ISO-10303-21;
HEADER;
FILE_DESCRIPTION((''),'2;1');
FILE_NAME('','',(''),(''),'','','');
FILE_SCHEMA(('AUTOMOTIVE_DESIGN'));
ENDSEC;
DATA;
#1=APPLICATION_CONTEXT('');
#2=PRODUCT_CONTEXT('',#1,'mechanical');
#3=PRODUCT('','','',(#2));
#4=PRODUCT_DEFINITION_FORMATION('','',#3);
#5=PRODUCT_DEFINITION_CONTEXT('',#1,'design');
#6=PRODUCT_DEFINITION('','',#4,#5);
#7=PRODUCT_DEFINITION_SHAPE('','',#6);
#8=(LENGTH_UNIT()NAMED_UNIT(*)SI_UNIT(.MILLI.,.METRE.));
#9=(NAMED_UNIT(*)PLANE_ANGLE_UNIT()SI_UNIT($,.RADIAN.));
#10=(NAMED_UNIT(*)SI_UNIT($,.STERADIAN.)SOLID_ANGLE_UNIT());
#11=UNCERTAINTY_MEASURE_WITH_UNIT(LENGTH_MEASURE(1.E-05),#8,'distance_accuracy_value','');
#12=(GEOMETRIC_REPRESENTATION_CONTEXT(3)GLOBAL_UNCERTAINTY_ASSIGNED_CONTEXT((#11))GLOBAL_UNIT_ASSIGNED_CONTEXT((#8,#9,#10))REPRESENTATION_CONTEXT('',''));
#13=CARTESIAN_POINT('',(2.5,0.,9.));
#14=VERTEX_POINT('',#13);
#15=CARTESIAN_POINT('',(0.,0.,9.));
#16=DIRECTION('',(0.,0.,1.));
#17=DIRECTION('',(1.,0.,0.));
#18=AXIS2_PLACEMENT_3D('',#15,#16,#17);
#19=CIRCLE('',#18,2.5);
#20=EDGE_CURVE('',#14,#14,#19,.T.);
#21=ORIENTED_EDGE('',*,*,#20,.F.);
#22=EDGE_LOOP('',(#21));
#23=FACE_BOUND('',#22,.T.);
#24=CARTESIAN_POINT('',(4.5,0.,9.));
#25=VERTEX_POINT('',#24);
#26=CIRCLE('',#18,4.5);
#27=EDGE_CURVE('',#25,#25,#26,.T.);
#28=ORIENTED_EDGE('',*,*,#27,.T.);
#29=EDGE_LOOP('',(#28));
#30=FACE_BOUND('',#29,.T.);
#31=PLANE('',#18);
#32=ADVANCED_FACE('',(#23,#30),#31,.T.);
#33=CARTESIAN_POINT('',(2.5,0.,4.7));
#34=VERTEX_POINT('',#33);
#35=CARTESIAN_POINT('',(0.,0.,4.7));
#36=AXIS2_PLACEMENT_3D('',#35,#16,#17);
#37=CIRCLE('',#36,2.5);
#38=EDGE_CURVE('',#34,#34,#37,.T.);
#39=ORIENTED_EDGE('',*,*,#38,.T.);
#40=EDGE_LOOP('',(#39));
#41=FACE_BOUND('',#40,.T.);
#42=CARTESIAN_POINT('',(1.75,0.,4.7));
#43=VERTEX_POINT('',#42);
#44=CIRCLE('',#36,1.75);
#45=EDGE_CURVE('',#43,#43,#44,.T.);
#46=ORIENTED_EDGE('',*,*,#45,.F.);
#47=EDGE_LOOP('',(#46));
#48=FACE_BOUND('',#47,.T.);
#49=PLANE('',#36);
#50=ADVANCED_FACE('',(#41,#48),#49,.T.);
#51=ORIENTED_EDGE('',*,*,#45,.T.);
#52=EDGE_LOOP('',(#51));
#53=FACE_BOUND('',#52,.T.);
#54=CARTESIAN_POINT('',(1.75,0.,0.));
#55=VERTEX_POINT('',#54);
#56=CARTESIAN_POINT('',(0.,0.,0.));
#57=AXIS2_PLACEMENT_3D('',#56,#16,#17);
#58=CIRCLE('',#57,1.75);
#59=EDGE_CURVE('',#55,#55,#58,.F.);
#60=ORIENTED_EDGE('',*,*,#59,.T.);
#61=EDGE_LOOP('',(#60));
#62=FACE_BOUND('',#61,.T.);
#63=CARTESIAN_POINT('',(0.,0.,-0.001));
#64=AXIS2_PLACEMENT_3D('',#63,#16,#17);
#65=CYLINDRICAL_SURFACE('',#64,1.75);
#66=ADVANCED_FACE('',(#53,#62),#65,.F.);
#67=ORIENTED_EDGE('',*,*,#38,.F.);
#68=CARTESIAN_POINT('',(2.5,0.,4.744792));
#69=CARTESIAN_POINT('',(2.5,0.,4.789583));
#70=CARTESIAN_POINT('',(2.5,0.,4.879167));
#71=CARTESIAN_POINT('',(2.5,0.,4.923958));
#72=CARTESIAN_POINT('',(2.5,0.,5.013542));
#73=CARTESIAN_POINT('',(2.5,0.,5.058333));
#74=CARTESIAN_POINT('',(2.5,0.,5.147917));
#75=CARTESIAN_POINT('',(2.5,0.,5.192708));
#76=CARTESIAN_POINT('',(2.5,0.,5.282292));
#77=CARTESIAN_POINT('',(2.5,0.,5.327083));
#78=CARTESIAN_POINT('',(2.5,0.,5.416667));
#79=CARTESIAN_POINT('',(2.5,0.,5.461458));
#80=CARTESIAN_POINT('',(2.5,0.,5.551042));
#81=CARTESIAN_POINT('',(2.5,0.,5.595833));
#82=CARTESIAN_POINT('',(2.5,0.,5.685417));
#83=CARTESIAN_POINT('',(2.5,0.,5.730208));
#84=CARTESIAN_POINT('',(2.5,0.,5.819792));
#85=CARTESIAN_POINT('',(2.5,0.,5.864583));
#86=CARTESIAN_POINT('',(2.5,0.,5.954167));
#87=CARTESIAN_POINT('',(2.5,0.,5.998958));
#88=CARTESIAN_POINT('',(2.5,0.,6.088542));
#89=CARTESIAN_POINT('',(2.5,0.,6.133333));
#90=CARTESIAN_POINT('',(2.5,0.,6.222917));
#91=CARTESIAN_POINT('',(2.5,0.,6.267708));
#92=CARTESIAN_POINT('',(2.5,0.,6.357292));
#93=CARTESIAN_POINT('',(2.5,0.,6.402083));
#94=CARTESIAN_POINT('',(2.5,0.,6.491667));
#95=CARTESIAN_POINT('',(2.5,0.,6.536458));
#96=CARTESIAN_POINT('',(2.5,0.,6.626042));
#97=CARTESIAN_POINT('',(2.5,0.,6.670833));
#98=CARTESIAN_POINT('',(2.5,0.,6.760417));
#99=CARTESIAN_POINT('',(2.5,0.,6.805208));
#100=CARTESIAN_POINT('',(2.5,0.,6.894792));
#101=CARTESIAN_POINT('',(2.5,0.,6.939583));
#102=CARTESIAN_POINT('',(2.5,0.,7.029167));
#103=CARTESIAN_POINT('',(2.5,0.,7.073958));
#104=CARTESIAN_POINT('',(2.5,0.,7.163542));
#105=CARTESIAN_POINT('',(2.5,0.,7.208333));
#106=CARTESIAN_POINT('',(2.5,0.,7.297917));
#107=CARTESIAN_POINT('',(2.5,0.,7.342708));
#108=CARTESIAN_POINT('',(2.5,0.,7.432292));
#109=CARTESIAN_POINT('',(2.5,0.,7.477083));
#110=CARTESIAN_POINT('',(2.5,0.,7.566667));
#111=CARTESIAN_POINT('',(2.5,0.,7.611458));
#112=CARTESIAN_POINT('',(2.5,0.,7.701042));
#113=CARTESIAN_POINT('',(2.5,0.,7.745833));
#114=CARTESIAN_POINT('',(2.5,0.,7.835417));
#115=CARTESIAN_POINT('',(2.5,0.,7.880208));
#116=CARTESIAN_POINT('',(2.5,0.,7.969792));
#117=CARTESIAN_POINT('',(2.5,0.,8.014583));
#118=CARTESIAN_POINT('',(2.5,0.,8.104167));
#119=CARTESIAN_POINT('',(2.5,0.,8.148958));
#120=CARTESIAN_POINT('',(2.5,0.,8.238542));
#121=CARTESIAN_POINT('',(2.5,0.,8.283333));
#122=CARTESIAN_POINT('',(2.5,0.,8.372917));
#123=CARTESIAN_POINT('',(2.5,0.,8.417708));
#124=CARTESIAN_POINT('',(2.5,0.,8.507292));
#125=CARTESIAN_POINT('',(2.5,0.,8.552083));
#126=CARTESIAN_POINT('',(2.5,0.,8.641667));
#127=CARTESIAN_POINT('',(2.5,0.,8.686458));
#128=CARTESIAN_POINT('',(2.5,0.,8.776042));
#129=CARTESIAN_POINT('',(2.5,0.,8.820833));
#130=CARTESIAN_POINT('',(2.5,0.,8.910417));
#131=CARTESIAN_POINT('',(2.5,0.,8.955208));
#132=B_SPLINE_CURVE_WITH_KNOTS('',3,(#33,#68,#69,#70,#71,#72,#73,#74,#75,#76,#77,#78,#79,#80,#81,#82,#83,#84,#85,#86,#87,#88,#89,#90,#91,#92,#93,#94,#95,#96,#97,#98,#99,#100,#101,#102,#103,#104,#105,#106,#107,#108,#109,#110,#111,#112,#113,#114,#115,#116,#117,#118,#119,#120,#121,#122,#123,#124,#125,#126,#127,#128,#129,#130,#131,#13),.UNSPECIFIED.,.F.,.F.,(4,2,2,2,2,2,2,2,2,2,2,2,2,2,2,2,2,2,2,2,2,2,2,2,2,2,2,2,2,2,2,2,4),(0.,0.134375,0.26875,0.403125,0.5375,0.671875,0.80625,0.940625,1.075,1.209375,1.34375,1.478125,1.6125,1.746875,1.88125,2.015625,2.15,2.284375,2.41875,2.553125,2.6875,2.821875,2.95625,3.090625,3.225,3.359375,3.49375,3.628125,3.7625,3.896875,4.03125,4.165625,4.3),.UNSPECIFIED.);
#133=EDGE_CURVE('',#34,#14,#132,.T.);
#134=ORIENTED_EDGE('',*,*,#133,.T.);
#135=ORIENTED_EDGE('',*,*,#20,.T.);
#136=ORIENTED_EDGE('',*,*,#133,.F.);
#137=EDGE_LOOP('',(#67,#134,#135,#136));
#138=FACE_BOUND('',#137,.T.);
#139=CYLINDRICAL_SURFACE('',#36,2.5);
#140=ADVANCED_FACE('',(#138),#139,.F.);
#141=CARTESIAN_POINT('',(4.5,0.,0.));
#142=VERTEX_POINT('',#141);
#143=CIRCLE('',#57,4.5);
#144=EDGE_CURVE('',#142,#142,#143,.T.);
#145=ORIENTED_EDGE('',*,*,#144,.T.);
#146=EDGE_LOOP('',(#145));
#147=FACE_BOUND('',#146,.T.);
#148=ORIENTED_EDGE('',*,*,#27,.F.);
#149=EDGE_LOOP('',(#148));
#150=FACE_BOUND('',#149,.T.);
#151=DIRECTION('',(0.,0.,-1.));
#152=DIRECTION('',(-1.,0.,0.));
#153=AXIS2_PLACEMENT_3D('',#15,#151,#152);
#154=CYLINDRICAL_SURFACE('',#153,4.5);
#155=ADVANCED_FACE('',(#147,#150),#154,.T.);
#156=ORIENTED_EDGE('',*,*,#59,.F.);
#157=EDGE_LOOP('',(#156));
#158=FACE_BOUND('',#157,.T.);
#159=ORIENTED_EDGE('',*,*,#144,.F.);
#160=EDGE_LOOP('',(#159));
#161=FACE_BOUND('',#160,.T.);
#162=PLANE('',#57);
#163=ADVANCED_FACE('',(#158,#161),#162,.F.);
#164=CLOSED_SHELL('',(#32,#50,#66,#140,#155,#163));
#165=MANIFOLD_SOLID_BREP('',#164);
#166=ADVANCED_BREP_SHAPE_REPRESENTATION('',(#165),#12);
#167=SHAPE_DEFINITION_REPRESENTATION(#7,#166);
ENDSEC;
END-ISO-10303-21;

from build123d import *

# Parameters (mm, degrees)
SKETCH1_R          = 4.5
INSERT_SHAPE_DEPTH = 9
SKETCH3_R          = 2.5
CENTER_HOLE_DEPTH  = 4.3
TAPPED_HOLE_REACH  = 9.911
SKETCH4_R          = 1.75


with BuildPart() as part:
    # Sketch1 → insert shape (new body)
    with BuildSketch(Plane.XY):
        Circle(SKETCH1_R)
    extrude(amount=INSERT_SHAPE_DEPTH)

    # Sketch3 → center hole (cut)
    with BuildSketch(Plane.XY.offset(9)):
        Circle(SKETCH3_R)
    extrude(amount=-CENTER_HOLE_DEPTH, mode=Mode.SUBTRACT)

    # Sketch4 → tapped hole (cut, up to next)
    with BuildSketch(Plane.XY.offset(4.7), mode=Mode.PRIVATE) as tapped_hole_sk1:
        Circle(SKETCH4_R)
    tapped_hole_tool1 = extrude(tapped_hole_sk1.sketch, amount=-TAPPED_HOLE_REACH, mode=Mode.PRIVATE) & part.part
    add(tapped_hole_tool1.solids().sort_by_distance((0, 0, 4.7))[0], mode=Mode.SUBTRACT)


solid = part.part
